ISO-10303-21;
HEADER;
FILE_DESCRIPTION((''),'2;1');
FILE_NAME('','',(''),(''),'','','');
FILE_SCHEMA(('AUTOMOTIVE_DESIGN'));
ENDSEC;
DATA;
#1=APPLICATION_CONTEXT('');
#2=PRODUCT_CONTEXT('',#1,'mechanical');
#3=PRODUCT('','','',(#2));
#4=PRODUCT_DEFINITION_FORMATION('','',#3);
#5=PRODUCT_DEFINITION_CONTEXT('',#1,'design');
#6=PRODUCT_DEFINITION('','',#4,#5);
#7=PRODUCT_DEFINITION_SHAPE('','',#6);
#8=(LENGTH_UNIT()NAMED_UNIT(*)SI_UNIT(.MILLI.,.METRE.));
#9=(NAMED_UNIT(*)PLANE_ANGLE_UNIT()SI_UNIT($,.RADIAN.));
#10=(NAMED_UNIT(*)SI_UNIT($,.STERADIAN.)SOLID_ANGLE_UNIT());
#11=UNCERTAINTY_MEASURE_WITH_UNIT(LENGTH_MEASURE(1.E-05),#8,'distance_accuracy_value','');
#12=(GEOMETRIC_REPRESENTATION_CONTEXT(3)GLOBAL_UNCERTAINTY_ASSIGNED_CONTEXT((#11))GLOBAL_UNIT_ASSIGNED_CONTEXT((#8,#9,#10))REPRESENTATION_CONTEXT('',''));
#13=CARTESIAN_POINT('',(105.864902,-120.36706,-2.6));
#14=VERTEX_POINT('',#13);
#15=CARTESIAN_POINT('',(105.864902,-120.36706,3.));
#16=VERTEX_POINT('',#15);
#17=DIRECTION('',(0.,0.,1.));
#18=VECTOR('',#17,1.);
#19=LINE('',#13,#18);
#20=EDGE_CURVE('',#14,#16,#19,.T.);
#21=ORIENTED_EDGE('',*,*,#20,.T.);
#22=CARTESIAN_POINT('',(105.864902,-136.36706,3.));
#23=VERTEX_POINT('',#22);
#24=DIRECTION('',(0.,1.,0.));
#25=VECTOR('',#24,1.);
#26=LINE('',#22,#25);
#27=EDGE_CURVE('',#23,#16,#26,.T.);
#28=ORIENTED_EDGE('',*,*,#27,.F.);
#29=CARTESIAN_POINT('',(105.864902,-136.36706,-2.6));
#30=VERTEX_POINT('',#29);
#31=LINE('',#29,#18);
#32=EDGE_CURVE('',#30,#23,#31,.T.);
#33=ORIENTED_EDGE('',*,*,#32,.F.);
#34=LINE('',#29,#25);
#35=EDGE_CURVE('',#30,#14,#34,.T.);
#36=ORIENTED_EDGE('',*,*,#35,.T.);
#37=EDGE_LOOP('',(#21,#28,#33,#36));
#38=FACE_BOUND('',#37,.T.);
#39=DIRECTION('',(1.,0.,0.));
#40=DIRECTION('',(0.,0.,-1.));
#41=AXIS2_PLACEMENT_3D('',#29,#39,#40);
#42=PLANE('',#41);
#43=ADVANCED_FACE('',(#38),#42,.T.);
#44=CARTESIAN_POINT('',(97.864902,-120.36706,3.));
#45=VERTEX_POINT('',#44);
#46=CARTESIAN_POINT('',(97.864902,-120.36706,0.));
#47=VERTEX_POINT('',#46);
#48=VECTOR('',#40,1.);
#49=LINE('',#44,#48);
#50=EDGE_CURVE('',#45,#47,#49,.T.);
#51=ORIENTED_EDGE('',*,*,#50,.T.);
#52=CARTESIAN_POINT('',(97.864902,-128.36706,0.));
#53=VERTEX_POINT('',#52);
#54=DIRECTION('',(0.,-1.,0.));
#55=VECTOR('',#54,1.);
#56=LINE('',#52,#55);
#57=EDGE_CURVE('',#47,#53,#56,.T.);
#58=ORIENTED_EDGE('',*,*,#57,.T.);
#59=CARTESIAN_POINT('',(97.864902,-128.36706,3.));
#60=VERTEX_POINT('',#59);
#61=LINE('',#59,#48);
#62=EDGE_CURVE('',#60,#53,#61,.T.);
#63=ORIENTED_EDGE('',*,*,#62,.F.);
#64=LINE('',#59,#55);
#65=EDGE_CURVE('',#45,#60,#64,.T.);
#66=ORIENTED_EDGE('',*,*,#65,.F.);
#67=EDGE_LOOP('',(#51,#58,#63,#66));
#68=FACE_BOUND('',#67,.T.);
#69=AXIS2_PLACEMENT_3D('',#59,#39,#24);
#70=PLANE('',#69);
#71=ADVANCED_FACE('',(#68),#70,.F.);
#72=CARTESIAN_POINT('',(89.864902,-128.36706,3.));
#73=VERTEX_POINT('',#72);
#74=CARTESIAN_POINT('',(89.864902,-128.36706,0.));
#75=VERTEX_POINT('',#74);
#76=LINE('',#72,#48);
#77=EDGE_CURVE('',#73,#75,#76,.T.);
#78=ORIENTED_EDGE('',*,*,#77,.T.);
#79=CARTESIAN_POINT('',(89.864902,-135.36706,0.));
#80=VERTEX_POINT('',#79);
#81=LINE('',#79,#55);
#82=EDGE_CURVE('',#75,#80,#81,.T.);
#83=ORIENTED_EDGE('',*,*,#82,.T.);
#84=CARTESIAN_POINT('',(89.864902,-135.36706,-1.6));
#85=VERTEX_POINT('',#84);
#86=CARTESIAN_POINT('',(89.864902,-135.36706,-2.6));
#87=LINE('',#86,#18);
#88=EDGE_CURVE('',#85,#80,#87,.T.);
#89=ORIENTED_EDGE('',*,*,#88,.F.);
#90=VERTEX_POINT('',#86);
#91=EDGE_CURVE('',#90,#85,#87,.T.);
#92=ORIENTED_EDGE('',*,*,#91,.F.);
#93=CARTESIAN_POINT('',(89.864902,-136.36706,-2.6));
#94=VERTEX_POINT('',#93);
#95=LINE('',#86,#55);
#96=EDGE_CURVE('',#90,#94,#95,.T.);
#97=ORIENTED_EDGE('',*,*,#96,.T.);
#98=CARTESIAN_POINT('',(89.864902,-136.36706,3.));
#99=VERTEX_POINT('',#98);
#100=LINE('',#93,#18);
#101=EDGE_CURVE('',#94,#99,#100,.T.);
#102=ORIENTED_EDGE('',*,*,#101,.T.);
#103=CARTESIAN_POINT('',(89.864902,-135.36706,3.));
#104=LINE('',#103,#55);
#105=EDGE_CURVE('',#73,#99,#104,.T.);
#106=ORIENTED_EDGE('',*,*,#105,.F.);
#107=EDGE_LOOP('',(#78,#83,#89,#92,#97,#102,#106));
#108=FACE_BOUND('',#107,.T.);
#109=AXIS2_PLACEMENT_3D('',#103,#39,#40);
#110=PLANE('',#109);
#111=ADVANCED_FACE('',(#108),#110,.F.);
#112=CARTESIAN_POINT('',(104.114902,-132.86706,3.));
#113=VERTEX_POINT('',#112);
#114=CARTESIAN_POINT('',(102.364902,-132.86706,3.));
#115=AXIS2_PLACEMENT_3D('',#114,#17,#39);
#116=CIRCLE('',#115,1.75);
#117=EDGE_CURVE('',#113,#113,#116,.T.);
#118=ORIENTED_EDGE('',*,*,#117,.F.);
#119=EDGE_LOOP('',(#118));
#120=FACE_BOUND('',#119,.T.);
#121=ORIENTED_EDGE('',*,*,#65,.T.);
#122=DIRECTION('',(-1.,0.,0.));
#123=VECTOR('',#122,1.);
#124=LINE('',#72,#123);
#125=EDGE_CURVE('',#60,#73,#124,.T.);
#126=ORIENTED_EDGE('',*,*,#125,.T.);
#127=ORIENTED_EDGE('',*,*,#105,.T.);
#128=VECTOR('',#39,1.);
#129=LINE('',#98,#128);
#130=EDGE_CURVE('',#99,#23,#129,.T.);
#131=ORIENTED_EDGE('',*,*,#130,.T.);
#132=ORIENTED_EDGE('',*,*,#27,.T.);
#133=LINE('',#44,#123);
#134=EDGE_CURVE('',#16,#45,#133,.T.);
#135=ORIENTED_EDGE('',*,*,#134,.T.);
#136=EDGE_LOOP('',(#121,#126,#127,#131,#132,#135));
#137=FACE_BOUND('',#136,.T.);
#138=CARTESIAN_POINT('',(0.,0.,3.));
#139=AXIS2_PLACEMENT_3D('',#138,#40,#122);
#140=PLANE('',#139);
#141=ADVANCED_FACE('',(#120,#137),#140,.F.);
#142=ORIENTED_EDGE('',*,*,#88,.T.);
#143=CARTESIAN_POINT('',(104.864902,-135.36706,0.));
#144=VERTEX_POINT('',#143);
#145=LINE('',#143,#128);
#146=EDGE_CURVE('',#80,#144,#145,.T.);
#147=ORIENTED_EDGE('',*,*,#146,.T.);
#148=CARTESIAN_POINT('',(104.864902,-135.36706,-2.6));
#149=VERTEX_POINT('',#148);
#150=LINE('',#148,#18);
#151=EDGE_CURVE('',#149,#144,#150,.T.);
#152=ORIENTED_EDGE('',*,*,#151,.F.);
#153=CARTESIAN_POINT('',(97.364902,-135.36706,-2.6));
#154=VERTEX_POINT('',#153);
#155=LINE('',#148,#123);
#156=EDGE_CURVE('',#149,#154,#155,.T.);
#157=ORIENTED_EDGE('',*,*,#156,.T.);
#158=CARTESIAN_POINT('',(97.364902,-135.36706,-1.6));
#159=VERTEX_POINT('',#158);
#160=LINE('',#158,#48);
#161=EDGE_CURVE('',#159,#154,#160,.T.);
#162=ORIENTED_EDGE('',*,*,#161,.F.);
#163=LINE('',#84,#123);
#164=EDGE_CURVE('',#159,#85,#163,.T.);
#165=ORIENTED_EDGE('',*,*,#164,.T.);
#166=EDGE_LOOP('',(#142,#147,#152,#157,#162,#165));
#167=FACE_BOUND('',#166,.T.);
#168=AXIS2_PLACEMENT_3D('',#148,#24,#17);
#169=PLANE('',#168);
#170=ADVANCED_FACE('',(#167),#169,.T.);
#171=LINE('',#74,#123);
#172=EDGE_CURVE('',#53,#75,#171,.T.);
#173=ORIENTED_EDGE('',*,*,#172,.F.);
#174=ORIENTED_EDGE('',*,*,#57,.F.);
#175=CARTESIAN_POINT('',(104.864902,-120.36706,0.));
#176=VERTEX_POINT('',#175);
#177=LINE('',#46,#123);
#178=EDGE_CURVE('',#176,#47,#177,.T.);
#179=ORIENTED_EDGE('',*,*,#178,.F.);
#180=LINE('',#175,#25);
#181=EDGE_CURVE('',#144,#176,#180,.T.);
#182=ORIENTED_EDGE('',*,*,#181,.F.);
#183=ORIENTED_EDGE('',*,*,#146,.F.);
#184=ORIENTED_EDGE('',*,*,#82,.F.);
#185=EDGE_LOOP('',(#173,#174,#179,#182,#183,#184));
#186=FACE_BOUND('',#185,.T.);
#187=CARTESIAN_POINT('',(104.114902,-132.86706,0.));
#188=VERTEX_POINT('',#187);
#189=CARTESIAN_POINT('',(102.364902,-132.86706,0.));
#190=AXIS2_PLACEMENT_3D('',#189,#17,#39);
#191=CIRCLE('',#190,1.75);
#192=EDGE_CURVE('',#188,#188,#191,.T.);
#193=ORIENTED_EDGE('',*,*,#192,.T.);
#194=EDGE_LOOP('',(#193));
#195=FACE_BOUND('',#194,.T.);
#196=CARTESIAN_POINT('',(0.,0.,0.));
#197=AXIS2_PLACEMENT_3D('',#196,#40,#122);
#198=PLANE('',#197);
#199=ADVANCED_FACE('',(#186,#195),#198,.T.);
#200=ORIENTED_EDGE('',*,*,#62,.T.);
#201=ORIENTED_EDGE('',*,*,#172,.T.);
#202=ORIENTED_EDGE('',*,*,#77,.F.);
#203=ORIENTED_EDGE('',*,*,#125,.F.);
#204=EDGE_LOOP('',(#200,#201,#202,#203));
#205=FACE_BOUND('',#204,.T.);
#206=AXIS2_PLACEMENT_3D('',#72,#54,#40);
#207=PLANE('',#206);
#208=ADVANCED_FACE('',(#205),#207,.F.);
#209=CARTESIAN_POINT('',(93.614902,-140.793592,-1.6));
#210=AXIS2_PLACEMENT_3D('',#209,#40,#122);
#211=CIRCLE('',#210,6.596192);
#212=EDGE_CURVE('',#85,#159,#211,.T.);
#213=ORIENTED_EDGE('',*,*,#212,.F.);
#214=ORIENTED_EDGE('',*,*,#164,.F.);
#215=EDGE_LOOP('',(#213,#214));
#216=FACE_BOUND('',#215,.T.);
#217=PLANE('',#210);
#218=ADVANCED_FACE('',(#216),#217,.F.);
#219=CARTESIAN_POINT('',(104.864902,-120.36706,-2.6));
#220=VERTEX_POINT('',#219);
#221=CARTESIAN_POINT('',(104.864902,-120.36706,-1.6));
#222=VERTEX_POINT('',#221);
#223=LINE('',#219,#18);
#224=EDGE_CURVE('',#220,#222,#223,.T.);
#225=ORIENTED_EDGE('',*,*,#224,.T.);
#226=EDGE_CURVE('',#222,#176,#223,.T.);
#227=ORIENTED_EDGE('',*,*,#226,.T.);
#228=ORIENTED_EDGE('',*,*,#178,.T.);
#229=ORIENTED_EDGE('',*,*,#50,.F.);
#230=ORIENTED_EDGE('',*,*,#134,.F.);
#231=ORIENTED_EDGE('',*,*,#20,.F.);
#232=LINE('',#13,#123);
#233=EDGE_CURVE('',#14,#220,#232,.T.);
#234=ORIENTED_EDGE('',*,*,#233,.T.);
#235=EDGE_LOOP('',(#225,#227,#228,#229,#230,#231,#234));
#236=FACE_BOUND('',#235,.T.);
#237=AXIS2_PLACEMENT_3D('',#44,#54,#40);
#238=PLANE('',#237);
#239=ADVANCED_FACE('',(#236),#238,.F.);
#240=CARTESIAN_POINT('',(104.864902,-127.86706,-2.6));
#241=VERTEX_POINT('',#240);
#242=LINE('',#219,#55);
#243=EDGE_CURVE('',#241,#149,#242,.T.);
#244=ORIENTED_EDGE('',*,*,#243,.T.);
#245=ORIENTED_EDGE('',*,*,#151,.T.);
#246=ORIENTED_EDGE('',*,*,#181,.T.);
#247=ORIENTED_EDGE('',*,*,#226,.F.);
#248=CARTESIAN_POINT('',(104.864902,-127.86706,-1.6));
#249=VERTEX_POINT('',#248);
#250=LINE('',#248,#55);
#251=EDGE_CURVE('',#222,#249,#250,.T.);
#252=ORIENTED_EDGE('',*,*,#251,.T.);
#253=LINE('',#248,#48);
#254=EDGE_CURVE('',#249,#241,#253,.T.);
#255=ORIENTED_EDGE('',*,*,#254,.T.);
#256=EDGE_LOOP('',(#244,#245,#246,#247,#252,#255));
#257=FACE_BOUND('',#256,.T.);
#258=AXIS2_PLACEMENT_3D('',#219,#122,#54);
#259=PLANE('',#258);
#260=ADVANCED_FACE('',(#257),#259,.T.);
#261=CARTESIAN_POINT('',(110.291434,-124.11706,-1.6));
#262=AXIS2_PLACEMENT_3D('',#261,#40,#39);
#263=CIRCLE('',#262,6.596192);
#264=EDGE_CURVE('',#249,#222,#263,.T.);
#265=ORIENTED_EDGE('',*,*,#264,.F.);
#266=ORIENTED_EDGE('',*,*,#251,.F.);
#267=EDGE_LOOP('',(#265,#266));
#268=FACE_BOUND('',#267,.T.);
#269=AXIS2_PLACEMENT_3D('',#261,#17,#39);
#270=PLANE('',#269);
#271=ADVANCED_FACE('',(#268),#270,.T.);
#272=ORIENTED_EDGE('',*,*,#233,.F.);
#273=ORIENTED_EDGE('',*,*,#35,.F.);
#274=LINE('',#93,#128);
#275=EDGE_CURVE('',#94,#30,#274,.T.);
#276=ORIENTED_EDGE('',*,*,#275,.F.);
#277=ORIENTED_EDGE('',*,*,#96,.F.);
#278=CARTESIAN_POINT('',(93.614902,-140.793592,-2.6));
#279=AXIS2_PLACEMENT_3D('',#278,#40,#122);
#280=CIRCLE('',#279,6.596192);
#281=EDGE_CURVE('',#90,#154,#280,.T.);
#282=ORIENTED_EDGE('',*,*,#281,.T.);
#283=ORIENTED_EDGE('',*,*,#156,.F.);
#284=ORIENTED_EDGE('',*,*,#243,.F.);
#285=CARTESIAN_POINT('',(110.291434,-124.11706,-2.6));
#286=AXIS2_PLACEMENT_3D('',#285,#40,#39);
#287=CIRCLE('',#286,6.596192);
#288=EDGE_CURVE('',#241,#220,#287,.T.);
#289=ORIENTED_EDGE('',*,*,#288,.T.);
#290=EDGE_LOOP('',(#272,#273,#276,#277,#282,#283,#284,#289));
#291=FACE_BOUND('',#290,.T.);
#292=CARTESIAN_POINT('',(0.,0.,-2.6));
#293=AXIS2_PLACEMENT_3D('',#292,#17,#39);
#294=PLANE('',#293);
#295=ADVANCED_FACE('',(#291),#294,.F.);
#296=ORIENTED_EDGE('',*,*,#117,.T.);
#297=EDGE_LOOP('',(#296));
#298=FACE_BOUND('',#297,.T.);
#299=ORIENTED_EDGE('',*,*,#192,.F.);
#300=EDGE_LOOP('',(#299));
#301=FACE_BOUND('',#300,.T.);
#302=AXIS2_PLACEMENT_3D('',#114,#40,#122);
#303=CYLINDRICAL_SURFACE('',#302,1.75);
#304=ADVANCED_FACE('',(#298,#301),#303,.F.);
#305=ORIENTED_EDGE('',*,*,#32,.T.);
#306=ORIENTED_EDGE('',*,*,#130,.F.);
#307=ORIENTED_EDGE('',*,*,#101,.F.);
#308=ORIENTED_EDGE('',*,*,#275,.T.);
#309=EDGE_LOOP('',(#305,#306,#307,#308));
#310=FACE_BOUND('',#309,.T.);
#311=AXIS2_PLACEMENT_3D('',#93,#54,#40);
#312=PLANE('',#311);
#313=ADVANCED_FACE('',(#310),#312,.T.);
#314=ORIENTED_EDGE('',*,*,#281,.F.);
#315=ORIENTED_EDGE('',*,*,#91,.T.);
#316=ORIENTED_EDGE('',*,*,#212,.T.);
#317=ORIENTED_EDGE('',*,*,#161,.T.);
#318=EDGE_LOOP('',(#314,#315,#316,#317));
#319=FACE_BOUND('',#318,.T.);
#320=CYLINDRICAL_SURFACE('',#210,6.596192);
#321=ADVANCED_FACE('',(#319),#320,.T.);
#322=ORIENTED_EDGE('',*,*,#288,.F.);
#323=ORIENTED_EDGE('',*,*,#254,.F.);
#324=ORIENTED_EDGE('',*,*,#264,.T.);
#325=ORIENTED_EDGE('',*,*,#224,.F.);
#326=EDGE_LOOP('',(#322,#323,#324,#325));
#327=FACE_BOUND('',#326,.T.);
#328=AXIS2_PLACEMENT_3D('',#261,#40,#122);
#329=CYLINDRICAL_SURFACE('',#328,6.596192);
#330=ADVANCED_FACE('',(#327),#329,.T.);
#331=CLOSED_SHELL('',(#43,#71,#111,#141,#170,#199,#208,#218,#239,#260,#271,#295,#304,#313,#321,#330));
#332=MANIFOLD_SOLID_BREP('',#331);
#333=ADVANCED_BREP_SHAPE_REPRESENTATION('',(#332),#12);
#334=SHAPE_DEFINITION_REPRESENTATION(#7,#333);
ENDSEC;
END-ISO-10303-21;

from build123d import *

# Parameters (mm, degrees)
ESQUISSE1_R        = 1.75
BOSS_EXTRU_1_DEPTH = 3
BOSS_EXTRU_2_DEPTH = 5.6
BOSS_EXTRU_3_DEPTH = 1


with BuildPart() as part:
    # Esquisse1 → Boss.-Extru.1 (new body)
    with BuildSketch(Plane.XY):
        Polygon((104.864902494, -135.367060458), (89.864902494, -135.367060458), (89.864902494, -128.367060458), (97.864902494, -128.367060458), (97.864902494, -120.367060458), (104.864902494, -120.367060458), align=None)
        with Locations((102.364902494, -132.867060458)):
            Circle(ESQUISSE1_R, mode=Mode.SUBTRACT)
    extrude(amount=BOSS_EXTRU_1_DEPTH)

    # Esquisse2 → Boss.-Extru.2 (add)
    with BuildSketch(Plane.XY.offset(3)):
        Polygon((89.864902494, -135.367060458), (89.864902494, -136.367060458), (105.864902494, -136.367060458), (105.864902494, -120.367060458), (104.864902494, -120.367060458), (104.864902494, -135.367060458), align=None)
    extrude(amount=-BOSS_EXTRU_2_DEPTH)

    # Esquisse3 → Boss.-Extru.3 (add)
    with BuildSketch(Plane(origin=(0, 0, -2.6), x_dir=(-1, 0, 0), z_dir=(0, 0, -1))):
        with BuildLine():
            Line((-89.864902494, -135.367060458), (-97.364902494, -135.367060458))
            ThreePointArc((-97.364902494, -135.367060458), (-93.614902494, -134.19740032), (-89.864902494, -135.367060458))
        make_face()
        with BuildLine():
            Line((-104.864902494, -127.867060458), (-104.864902494, -120.367060458))
            ThreePointArc((-104.864902494, -120.367060458), (-103.695242356, -124.117060458), (-104.864902494, -127.867060458))
        make_face()
    extrude(amount=-BOSS_EXTRU_3_DEPTH)


solid = part.part
